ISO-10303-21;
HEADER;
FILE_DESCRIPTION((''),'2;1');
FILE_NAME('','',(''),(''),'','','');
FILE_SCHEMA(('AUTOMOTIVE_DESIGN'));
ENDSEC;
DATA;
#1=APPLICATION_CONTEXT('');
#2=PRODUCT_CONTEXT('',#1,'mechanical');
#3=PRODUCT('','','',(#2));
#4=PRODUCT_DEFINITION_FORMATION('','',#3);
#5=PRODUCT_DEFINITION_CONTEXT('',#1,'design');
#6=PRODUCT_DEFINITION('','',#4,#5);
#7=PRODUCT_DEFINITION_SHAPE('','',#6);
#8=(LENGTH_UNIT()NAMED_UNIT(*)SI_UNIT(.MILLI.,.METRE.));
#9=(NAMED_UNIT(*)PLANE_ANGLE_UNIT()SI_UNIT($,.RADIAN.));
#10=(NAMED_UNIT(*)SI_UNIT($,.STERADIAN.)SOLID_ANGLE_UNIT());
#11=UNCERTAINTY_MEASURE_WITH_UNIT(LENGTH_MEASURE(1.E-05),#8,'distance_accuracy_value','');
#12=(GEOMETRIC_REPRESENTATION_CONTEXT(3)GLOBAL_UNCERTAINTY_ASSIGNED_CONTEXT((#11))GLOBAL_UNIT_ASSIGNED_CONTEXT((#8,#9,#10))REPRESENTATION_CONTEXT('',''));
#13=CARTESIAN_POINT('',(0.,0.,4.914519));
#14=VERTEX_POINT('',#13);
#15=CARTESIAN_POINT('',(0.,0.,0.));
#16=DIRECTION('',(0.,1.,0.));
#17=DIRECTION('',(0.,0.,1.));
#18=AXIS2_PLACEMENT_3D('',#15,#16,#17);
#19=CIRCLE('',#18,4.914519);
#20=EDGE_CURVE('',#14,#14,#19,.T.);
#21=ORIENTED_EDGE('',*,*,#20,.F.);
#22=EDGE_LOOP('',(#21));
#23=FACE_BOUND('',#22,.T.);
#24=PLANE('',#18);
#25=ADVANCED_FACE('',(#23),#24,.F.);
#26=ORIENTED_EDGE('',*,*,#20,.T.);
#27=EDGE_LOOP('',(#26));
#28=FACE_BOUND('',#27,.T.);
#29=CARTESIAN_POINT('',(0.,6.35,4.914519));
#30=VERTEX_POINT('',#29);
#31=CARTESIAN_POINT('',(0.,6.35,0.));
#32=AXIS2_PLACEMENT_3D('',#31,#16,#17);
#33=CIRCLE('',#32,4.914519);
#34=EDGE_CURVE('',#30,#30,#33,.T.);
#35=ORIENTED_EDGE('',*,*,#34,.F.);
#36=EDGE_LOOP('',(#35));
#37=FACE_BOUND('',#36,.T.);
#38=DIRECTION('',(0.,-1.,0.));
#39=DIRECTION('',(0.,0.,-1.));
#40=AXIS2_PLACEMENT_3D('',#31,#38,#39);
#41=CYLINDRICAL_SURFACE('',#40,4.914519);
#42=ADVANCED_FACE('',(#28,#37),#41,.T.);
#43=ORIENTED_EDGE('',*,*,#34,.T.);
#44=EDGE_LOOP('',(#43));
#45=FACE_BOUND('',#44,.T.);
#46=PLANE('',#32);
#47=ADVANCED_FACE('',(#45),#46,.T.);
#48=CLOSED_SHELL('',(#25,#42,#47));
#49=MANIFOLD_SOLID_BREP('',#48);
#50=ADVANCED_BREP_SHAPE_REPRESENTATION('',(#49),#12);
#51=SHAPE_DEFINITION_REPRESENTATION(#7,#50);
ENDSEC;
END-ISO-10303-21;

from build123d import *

# Parameters (mm, degrees)
SKETCH1_R           = 4.914519
BOSS_EXTRUDE1_DEPTH = 6.35


with BuildPart() as part:
    # Sketch1 → Boss-Extrude1 (new body)
    with BuildSketch(Plane(origin=(0, 0, 0), x_dir=(1, 0, 0), z_dir=(0, 1, 0))):
        Circle(SKETCH1_R)
    extrude(amount=BOSS_EXTRUDE1_DEPTH)


solid = part.part
